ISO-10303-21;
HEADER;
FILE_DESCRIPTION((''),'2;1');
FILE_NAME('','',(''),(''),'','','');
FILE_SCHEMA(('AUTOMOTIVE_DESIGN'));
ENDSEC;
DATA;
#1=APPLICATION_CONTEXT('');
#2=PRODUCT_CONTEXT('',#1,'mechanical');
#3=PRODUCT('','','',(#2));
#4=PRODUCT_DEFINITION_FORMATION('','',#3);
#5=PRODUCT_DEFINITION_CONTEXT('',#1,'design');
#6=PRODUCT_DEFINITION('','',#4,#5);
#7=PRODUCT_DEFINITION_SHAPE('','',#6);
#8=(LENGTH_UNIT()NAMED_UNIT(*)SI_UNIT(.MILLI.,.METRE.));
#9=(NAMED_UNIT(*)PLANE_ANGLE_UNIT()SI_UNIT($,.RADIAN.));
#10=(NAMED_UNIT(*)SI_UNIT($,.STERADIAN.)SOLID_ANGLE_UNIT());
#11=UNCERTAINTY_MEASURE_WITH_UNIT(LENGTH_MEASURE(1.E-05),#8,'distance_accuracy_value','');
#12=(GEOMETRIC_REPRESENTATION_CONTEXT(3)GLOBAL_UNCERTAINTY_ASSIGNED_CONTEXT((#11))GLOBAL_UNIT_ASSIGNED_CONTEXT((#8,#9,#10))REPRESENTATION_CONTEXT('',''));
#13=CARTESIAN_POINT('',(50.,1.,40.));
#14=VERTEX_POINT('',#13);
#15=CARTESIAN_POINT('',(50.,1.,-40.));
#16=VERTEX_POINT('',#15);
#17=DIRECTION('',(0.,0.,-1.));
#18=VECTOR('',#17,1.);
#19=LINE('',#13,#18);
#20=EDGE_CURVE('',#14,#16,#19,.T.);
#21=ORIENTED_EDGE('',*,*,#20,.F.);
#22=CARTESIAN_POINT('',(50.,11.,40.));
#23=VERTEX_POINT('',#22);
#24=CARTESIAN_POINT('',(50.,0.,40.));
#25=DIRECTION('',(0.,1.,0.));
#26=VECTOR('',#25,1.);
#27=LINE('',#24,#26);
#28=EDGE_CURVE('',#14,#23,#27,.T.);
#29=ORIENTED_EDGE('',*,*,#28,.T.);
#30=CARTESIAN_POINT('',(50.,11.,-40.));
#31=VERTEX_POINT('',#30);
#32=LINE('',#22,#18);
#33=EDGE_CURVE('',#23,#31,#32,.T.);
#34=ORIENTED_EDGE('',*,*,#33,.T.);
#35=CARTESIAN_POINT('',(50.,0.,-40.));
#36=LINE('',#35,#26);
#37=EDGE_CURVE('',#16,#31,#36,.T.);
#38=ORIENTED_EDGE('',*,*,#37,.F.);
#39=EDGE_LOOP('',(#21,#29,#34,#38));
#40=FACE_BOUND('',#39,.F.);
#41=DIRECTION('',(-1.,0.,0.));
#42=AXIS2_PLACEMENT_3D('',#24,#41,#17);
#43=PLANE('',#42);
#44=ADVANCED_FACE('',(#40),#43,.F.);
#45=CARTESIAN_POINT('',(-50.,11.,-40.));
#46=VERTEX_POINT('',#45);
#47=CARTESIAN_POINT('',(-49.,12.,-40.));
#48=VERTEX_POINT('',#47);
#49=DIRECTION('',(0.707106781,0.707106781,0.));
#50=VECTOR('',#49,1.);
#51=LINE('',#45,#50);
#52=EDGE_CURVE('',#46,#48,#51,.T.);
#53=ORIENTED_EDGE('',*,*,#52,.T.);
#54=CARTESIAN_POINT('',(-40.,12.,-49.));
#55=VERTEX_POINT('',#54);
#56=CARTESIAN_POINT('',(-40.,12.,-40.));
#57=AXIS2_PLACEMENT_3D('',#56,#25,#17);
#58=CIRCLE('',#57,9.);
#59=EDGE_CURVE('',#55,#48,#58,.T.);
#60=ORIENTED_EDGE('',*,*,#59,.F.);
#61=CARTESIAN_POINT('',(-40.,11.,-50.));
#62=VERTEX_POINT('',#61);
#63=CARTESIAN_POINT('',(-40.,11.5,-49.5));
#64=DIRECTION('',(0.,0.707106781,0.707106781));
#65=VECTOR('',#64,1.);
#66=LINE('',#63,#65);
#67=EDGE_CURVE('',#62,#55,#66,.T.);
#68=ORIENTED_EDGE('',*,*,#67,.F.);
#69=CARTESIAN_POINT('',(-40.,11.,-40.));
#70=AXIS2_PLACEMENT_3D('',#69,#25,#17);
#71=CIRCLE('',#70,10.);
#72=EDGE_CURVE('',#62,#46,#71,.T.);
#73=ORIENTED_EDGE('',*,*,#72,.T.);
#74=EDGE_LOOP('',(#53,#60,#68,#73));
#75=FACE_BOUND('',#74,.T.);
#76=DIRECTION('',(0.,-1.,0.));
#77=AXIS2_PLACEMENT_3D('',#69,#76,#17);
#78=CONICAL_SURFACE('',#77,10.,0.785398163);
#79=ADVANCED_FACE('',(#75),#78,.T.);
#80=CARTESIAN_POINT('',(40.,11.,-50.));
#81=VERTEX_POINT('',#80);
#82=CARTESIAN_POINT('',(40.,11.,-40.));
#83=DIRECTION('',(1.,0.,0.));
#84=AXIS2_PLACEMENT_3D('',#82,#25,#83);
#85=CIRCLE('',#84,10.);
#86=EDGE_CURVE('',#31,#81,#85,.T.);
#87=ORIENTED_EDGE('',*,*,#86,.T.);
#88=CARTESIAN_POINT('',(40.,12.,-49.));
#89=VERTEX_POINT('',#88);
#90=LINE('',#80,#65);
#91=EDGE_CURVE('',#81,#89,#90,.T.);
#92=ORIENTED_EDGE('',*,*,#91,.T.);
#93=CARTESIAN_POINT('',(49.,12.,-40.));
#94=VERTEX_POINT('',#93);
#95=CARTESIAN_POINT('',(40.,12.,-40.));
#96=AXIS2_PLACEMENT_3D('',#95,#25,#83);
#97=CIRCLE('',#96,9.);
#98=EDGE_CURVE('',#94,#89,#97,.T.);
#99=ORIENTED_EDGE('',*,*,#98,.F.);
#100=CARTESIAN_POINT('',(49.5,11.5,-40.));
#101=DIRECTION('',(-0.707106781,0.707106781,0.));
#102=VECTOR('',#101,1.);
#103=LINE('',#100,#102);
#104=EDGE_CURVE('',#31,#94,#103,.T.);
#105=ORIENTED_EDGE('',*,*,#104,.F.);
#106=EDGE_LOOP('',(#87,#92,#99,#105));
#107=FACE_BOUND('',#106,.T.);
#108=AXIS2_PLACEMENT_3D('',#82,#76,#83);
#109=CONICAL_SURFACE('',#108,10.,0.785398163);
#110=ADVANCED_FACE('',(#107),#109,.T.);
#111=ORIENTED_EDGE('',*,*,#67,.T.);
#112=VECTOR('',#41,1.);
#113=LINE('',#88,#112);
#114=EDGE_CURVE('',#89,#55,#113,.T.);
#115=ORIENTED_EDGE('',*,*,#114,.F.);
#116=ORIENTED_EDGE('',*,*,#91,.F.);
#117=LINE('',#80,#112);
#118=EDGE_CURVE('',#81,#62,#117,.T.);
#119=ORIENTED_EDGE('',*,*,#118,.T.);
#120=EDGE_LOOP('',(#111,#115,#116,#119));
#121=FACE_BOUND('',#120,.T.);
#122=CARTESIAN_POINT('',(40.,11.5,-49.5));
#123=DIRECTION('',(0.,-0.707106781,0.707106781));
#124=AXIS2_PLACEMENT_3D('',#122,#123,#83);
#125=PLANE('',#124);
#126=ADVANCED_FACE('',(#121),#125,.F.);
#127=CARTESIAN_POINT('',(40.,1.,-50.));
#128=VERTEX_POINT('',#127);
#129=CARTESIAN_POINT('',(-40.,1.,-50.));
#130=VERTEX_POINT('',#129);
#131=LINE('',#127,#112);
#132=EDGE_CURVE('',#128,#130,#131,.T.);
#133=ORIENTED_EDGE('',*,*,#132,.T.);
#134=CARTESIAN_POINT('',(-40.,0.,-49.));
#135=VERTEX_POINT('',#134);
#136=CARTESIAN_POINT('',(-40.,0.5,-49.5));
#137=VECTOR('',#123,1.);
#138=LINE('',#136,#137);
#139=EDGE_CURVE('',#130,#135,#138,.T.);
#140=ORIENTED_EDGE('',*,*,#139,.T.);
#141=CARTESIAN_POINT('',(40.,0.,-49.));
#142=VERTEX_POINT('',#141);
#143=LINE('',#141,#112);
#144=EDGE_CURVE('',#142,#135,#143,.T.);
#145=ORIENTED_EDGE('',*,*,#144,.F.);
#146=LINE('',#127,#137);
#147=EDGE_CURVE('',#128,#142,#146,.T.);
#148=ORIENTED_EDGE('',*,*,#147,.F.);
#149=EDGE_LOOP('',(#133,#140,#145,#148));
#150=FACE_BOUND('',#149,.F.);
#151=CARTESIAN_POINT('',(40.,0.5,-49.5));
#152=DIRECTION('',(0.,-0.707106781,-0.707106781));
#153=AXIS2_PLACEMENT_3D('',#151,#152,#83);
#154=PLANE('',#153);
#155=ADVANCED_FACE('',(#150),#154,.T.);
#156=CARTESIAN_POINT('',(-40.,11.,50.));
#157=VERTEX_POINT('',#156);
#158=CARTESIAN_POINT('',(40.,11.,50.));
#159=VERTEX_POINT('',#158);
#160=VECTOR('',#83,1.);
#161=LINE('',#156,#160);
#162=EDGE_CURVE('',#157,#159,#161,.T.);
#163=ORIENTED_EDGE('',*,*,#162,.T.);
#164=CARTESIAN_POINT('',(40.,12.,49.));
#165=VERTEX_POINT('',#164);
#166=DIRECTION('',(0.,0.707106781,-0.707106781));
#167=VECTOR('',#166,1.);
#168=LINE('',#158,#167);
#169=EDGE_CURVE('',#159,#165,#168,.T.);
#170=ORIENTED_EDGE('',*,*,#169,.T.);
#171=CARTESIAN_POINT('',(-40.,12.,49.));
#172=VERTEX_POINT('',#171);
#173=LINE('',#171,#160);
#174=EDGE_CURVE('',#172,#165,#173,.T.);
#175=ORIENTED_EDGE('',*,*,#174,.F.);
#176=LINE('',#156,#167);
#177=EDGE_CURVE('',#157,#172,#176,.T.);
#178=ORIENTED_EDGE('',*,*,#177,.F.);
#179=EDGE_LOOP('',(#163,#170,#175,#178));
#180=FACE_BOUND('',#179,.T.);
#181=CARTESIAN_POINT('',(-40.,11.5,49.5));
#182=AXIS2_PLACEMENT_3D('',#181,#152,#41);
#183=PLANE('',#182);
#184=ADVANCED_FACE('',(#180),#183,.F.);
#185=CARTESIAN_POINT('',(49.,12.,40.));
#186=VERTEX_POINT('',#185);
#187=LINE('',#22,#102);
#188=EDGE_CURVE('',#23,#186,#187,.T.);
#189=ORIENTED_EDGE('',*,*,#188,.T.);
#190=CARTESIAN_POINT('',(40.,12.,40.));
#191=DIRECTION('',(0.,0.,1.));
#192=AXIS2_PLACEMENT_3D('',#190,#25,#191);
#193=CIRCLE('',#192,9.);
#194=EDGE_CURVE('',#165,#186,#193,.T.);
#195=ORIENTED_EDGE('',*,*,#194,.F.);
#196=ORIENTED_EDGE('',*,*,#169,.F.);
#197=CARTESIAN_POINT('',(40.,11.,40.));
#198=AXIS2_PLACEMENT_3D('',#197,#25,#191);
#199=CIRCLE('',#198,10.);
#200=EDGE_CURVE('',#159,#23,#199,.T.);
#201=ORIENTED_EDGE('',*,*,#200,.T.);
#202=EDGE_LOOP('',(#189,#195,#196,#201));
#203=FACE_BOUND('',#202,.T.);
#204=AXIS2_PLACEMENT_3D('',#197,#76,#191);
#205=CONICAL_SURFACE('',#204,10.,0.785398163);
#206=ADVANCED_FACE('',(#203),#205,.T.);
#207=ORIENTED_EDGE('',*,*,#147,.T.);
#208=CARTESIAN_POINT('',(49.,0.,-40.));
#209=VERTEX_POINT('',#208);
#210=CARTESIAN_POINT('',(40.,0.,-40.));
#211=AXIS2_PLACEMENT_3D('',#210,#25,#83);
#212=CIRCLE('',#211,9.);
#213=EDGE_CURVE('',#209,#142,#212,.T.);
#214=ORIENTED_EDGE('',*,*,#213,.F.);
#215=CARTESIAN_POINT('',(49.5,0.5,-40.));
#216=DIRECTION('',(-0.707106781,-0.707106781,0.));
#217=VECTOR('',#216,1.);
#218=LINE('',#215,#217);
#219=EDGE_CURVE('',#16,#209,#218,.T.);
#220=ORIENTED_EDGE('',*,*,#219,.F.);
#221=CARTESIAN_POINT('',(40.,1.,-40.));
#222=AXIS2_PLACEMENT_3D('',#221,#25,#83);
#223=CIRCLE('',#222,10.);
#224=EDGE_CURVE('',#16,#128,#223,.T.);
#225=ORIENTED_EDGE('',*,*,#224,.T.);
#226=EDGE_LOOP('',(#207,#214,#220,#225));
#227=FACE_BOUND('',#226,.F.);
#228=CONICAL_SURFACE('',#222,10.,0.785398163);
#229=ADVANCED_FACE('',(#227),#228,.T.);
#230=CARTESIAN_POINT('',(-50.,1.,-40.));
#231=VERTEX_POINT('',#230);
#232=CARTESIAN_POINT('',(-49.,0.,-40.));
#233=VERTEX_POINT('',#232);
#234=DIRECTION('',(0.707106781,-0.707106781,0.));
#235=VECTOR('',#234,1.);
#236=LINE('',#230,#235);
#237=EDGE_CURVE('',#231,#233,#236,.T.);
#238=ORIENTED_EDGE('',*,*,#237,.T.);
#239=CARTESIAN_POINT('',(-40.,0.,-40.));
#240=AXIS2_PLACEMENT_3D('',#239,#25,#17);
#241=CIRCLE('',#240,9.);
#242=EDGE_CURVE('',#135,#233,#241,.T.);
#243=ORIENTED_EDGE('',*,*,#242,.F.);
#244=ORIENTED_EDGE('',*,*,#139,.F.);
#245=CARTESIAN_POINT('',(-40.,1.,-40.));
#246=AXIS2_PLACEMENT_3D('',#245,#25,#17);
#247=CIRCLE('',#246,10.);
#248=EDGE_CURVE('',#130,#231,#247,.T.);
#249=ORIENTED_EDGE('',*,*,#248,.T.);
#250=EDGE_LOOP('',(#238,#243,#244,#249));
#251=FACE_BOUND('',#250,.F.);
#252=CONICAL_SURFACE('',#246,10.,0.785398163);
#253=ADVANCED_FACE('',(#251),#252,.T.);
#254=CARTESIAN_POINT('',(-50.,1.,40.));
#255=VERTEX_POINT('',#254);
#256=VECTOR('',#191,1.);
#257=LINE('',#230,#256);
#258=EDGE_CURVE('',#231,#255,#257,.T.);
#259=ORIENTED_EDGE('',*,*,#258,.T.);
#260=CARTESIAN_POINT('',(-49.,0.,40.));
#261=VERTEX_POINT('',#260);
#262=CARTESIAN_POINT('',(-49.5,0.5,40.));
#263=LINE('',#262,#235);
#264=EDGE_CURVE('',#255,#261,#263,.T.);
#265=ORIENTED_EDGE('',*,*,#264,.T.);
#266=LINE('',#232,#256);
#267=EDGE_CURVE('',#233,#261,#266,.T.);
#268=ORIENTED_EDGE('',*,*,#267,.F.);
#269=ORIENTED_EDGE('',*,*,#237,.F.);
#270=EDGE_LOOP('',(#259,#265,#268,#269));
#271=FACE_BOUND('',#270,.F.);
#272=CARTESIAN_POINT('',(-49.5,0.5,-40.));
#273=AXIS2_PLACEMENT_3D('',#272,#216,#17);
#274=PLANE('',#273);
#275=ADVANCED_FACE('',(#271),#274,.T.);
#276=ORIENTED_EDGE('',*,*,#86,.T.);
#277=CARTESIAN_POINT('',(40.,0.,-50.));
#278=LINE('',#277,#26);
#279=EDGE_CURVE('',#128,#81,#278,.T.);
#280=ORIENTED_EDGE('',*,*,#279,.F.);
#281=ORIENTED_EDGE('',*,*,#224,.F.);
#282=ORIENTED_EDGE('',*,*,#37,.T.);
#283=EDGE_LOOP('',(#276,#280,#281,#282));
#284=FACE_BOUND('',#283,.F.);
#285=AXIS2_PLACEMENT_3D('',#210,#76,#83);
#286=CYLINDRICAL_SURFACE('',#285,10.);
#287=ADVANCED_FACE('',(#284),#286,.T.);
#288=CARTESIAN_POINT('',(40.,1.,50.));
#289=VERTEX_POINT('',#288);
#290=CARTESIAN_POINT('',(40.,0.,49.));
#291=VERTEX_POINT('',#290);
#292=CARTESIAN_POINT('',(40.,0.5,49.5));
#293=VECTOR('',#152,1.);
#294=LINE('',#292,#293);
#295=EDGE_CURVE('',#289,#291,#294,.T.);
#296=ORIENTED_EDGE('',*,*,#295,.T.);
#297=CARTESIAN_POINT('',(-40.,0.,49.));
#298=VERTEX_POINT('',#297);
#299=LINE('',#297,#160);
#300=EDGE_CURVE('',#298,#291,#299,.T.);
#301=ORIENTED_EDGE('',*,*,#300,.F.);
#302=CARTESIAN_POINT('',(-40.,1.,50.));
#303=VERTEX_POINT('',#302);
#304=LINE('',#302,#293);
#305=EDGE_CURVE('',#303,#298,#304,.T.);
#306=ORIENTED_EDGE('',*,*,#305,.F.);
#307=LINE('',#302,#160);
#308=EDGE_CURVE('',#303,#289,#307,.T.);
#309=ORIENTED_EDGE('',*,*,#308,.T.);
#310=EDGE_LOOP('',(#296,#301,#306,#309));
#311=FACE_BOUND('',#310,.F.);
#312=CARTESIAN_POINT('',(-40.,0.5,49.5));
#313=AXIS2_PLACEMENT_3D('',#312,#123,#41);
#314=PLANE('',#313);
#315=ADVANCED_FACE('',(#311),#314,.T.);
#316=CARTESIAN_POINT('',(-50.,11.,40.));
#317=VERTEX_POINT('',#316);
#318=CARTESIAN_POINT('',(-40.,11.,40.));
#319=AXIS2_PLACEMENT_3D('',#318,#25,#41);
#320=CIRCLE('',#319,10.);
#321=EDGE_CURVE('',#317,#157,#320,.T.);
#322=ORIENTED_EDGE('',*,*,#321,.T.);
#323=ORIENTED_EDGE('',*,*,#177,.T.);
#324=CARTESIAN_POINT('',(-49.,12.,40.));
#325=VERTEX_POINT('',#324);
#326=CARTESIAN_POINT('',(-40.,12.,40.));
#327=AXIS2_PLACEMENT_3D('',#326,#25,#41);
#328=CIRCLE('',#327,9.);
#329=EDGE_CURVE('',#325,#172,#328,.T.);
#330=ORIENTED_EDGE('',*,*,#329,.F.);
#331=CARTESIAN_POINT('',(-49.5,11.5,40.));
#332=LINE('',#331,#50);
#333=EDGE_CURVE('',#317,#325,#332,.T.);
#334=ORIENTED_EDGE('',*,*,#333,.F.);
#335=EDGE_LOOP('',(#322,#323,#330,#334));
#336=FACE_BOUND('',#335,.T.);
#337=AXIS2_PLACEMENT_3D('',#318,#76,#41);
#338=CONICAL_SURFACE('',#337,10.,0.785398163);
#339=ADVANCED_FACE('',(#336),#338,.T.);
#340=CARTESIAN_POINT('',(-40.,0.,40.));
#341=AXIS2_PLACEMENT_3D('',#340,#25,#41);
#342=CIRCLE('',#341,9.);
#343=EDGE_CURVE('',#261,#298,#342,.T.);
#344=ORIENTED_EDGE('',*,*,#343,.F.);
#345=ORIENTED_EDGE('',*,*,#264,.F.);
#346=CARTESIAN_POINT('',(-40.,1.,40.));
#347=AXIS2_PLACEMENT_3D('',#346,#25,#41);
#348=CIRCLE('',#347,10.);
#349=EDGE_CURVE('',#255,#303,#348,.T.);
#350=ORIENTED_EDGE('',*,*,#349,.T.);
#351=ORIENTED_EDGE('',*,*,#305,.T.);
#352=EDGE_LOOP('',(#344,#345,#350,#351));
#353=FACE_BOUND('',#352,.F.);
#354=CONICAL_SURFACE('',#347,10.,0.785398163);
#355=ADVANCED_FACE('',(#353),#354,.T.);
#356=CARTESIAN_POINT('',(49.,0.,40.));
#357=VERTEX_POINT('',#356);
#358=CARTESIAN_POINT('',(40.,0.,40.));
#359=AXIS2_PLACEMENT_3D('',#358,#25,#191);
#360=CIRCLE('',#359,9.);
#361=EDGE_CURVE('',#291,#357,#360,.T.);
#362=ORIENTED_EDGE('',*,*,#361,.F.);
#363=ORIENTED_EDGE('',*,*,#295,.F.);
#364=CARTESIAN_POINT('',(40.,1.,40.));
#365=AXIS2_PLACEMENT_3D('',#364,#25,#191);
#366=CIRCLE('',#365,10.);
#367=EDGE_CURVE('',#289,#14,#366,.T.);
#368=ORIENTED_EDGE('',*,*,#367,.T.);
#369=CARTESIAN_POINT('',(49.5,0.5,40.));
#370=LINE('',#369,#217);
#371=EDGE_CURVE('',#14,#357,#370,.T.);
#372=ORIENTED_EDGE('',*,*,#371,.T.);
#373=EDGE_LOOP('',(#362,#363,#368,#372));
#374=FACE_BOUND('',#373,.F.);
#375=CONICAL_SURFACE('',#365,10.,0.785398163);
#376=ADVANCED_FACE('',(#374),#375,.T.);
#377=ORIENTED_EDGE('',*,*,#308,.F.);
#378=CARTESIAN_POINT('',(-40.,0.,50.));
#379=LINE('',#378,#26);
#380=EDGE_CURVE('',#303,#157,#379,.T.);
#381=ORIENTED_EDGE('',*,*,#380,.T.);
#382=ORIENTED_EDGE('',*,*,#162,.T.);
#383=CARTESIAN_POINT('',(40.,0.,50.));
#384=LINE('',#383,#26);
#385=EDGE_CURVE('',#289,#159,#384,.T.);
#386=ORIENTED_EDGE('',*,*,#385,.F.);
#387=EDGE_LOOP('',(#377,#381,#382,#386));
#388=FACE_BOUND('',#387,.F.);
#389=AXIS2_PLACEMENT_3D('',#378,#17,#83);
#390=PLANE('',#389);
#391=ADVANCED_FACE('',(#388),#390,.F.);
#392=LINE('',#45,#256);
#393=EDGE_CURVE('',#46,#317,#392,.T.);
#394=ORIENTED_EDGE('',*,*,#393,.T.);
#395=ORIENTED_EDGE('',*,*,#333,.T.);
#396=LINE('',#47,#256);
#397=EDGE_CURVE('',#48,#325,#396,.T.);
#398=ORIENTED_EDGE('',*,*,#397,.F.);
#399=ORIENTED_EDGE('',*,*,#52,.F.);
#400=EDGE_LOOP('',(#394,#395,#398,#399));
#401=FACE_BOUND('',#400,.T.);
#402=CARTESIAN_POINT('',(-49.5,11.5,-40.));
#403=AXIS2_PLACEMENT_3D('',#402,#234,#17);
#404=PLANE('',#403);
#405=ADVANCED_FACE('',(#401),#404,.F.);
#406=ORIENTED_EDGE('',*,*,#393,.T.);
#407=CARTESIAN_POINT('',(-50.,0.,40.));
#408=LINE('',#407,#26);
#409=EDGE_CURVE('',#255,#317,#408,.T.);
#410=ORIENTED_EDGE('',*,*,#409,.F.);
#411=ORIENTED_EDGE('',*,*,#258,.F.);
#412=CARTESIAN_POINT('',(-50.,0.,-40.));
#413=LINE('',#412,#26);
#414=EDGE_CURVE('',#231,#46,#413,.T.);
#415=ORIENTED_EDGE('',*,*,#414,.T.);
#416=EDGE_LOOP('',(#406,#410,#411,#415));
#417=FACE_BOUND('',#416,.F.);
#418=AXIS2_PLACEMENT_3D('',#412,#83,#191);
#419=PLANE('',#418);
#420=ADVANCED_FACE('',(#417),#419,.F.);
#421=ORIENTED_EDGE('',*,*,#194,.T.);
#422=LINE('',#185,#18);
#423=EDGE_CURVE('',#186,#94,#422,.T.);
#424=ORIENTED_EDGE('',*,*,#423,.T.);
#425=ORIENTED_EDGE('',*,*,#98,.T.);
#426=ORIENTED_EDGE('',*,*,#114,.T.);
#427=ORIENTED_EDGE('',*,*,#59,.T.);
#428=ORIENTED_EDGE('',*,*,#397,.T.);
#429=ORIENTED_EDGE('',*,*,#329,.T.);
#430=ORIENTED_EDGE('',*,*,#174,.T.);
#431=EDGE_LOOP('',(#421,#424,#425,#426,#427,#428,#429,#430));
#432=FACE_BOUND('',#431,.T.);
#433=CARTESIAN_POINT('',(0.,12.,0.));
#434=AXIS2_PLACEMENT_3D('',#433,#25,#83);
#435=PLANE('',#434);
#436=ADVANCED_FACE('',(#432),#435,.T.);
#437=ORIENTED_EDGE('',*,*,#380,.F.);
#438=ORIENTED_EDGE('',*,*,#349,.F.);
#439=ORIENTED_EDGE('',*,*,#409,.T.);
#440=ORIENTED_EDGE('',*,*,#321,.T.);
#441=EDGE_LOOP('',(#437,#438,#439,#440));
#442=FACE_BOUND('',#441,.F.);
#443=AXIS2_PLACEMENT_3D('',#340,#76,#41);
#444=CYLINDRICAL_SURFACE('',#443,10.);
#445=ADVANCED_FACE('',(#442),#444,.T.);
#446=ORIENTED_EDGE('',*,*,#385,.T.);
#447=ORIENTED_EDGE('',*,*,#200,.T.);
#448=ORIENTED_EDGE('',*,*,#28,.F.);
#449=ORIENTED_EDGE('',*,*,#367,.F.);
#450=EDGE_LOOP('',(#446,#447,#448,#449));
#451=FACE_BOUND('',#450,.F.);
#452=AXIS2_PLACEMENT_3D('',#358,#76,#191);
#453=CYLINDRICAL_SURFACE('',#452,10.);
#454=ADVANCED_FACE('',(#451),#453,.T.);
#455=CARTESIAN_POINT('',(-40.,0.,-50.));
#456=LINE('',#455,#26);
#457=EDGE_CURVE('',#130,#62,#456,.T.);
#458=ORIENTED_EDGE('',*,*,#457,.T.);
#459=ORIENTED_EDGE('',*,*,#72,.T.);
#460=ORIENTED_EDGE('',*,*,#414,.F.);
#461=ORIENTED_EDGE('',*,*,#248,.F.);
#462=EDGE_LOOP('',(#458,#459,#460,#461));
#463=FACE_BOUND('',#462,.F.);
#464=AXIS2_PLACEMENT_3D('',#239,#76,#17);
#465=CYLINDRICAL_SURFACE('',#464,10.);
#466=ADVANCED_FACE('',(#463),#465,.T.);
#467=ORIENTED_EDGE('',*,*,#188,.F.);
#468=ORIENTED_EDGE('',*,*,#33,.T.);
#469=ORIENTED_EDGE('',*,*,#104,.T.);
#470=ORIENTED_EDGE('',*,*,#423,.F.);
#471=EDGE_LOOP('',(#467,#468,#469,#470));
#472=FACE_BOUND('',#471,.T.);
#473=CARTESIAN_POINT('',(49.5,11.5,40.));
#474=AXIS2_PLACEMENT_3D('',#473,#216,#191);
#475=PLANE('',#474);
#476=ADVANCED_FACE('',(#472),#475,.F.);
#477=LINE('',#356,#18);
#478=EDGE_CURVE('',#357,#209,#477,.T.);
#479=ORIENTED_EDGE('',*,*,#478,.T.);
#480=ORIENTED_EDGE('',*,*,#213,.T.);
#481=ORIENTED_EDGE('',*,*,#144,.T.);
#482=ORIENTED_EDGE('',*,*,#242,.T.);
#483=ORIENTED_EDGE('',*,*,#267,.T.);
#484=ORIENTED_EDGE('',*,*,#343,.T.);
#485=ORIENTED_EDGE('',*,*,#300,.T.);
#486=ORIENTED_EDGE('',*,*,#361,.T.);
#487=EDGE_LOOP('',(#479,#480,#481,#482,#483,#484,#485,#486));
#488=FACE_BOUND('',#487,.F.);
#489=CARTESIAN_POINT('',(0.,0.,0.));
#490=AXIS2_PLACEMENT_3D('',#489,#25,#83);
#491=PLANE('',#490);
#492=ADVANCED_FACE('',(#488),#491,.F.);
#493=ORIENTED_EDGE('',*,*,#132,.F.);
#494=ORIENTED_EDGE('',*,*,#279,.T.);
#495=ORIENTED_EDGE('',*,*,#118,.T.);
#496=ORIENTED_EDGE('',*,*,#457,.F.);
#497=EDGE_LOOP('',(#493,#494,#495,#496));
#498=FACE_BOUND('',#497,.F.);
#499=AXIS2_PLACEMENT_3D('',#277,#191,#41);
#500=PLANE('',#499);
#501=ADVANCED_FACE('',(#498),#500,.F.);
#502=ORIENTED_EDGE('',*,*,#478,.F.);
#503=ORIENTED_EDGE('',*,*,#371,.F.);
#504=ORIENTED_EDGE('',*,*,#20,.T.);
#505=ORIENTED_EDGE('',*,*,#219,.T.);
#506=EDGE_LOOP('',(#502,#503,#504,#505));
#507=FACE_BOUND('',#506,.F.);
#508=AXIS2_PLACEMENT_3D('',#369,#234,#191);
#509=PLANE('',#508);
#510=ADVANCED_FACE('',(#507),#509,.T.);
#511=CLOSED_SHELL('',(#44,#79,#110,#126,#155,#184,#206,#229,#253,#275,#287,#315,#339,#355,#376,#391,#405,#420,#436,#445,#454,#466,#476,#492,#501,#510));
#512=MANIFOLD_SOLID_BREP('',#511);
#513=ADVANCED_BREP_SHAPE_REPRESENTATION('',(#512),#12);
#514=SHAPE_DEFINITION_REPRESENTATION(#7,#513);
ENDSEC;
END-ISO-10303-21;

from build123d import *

# Parameters (mm, degrees)
SALIENTE_EXTRUIR1_DEPTH = 12
CHAFL_N1_SIZE           = 1


with BuildPart() as part:
    # Croquis2 → Saliente-Extruir1 (new body)
    with BuildSketch(Plane(origin=(0, 0, 0), x_dir=(1, 0, 0), z_dir=(0, 1, 0))):
        with BuildLine():
            Line((-40, -50), (40, -50))
            ThreePointArc((40, -50), (47.071067812, -47.071067812), (50, -40))
            Line((50, -40), (50, 40))
            ThreePointArc((50, 40), (47.071067812, 47.071067812), (40, 50))
            Line((40, 50), (-40, 50))
            ThreePointArc((-40, 50), (-47.071067812, 47.071067812), (-50, 40))
            Line((-50, 40), (-50, -40))
            ThreePointArc((-50, -40), (-47.071067812, -47.071067812), (-40, -50))
        make_face()
    extrude(amount=SALIENTE_EXTRUIR1_DEPTH)

    # Chaflán1
    chafl_n1_edges = [part.edges().sort_by_distance(p)[0] for p in [
        (50, 0, 0),
        (47.071067812, 0, 47.071067812),
        (0, 0, 50),
        (-47.071067812, 0, 47.071067812),
        (47.071067812, 12, 47.071067812),
        (50, 12, 0),
        (47.071067812, 12, -47.071067812),
        (0, 12, -50),
        (-47.071067812, 12, -47.071067812),
        (-50, 12, 0),
        (-47.071067812, 12, 47.071067812),
        (-50, 0, 0),
        (0, 12, 50),
        (-47.071067812, 0, -47.071067812),
        (0, 0, -50),
        (47.071067812, 0, -47.071067812),
    ]]
    chamfer(chafl_n1_edges, length=CHAFL_N1_SIZE)


solid = part.part
